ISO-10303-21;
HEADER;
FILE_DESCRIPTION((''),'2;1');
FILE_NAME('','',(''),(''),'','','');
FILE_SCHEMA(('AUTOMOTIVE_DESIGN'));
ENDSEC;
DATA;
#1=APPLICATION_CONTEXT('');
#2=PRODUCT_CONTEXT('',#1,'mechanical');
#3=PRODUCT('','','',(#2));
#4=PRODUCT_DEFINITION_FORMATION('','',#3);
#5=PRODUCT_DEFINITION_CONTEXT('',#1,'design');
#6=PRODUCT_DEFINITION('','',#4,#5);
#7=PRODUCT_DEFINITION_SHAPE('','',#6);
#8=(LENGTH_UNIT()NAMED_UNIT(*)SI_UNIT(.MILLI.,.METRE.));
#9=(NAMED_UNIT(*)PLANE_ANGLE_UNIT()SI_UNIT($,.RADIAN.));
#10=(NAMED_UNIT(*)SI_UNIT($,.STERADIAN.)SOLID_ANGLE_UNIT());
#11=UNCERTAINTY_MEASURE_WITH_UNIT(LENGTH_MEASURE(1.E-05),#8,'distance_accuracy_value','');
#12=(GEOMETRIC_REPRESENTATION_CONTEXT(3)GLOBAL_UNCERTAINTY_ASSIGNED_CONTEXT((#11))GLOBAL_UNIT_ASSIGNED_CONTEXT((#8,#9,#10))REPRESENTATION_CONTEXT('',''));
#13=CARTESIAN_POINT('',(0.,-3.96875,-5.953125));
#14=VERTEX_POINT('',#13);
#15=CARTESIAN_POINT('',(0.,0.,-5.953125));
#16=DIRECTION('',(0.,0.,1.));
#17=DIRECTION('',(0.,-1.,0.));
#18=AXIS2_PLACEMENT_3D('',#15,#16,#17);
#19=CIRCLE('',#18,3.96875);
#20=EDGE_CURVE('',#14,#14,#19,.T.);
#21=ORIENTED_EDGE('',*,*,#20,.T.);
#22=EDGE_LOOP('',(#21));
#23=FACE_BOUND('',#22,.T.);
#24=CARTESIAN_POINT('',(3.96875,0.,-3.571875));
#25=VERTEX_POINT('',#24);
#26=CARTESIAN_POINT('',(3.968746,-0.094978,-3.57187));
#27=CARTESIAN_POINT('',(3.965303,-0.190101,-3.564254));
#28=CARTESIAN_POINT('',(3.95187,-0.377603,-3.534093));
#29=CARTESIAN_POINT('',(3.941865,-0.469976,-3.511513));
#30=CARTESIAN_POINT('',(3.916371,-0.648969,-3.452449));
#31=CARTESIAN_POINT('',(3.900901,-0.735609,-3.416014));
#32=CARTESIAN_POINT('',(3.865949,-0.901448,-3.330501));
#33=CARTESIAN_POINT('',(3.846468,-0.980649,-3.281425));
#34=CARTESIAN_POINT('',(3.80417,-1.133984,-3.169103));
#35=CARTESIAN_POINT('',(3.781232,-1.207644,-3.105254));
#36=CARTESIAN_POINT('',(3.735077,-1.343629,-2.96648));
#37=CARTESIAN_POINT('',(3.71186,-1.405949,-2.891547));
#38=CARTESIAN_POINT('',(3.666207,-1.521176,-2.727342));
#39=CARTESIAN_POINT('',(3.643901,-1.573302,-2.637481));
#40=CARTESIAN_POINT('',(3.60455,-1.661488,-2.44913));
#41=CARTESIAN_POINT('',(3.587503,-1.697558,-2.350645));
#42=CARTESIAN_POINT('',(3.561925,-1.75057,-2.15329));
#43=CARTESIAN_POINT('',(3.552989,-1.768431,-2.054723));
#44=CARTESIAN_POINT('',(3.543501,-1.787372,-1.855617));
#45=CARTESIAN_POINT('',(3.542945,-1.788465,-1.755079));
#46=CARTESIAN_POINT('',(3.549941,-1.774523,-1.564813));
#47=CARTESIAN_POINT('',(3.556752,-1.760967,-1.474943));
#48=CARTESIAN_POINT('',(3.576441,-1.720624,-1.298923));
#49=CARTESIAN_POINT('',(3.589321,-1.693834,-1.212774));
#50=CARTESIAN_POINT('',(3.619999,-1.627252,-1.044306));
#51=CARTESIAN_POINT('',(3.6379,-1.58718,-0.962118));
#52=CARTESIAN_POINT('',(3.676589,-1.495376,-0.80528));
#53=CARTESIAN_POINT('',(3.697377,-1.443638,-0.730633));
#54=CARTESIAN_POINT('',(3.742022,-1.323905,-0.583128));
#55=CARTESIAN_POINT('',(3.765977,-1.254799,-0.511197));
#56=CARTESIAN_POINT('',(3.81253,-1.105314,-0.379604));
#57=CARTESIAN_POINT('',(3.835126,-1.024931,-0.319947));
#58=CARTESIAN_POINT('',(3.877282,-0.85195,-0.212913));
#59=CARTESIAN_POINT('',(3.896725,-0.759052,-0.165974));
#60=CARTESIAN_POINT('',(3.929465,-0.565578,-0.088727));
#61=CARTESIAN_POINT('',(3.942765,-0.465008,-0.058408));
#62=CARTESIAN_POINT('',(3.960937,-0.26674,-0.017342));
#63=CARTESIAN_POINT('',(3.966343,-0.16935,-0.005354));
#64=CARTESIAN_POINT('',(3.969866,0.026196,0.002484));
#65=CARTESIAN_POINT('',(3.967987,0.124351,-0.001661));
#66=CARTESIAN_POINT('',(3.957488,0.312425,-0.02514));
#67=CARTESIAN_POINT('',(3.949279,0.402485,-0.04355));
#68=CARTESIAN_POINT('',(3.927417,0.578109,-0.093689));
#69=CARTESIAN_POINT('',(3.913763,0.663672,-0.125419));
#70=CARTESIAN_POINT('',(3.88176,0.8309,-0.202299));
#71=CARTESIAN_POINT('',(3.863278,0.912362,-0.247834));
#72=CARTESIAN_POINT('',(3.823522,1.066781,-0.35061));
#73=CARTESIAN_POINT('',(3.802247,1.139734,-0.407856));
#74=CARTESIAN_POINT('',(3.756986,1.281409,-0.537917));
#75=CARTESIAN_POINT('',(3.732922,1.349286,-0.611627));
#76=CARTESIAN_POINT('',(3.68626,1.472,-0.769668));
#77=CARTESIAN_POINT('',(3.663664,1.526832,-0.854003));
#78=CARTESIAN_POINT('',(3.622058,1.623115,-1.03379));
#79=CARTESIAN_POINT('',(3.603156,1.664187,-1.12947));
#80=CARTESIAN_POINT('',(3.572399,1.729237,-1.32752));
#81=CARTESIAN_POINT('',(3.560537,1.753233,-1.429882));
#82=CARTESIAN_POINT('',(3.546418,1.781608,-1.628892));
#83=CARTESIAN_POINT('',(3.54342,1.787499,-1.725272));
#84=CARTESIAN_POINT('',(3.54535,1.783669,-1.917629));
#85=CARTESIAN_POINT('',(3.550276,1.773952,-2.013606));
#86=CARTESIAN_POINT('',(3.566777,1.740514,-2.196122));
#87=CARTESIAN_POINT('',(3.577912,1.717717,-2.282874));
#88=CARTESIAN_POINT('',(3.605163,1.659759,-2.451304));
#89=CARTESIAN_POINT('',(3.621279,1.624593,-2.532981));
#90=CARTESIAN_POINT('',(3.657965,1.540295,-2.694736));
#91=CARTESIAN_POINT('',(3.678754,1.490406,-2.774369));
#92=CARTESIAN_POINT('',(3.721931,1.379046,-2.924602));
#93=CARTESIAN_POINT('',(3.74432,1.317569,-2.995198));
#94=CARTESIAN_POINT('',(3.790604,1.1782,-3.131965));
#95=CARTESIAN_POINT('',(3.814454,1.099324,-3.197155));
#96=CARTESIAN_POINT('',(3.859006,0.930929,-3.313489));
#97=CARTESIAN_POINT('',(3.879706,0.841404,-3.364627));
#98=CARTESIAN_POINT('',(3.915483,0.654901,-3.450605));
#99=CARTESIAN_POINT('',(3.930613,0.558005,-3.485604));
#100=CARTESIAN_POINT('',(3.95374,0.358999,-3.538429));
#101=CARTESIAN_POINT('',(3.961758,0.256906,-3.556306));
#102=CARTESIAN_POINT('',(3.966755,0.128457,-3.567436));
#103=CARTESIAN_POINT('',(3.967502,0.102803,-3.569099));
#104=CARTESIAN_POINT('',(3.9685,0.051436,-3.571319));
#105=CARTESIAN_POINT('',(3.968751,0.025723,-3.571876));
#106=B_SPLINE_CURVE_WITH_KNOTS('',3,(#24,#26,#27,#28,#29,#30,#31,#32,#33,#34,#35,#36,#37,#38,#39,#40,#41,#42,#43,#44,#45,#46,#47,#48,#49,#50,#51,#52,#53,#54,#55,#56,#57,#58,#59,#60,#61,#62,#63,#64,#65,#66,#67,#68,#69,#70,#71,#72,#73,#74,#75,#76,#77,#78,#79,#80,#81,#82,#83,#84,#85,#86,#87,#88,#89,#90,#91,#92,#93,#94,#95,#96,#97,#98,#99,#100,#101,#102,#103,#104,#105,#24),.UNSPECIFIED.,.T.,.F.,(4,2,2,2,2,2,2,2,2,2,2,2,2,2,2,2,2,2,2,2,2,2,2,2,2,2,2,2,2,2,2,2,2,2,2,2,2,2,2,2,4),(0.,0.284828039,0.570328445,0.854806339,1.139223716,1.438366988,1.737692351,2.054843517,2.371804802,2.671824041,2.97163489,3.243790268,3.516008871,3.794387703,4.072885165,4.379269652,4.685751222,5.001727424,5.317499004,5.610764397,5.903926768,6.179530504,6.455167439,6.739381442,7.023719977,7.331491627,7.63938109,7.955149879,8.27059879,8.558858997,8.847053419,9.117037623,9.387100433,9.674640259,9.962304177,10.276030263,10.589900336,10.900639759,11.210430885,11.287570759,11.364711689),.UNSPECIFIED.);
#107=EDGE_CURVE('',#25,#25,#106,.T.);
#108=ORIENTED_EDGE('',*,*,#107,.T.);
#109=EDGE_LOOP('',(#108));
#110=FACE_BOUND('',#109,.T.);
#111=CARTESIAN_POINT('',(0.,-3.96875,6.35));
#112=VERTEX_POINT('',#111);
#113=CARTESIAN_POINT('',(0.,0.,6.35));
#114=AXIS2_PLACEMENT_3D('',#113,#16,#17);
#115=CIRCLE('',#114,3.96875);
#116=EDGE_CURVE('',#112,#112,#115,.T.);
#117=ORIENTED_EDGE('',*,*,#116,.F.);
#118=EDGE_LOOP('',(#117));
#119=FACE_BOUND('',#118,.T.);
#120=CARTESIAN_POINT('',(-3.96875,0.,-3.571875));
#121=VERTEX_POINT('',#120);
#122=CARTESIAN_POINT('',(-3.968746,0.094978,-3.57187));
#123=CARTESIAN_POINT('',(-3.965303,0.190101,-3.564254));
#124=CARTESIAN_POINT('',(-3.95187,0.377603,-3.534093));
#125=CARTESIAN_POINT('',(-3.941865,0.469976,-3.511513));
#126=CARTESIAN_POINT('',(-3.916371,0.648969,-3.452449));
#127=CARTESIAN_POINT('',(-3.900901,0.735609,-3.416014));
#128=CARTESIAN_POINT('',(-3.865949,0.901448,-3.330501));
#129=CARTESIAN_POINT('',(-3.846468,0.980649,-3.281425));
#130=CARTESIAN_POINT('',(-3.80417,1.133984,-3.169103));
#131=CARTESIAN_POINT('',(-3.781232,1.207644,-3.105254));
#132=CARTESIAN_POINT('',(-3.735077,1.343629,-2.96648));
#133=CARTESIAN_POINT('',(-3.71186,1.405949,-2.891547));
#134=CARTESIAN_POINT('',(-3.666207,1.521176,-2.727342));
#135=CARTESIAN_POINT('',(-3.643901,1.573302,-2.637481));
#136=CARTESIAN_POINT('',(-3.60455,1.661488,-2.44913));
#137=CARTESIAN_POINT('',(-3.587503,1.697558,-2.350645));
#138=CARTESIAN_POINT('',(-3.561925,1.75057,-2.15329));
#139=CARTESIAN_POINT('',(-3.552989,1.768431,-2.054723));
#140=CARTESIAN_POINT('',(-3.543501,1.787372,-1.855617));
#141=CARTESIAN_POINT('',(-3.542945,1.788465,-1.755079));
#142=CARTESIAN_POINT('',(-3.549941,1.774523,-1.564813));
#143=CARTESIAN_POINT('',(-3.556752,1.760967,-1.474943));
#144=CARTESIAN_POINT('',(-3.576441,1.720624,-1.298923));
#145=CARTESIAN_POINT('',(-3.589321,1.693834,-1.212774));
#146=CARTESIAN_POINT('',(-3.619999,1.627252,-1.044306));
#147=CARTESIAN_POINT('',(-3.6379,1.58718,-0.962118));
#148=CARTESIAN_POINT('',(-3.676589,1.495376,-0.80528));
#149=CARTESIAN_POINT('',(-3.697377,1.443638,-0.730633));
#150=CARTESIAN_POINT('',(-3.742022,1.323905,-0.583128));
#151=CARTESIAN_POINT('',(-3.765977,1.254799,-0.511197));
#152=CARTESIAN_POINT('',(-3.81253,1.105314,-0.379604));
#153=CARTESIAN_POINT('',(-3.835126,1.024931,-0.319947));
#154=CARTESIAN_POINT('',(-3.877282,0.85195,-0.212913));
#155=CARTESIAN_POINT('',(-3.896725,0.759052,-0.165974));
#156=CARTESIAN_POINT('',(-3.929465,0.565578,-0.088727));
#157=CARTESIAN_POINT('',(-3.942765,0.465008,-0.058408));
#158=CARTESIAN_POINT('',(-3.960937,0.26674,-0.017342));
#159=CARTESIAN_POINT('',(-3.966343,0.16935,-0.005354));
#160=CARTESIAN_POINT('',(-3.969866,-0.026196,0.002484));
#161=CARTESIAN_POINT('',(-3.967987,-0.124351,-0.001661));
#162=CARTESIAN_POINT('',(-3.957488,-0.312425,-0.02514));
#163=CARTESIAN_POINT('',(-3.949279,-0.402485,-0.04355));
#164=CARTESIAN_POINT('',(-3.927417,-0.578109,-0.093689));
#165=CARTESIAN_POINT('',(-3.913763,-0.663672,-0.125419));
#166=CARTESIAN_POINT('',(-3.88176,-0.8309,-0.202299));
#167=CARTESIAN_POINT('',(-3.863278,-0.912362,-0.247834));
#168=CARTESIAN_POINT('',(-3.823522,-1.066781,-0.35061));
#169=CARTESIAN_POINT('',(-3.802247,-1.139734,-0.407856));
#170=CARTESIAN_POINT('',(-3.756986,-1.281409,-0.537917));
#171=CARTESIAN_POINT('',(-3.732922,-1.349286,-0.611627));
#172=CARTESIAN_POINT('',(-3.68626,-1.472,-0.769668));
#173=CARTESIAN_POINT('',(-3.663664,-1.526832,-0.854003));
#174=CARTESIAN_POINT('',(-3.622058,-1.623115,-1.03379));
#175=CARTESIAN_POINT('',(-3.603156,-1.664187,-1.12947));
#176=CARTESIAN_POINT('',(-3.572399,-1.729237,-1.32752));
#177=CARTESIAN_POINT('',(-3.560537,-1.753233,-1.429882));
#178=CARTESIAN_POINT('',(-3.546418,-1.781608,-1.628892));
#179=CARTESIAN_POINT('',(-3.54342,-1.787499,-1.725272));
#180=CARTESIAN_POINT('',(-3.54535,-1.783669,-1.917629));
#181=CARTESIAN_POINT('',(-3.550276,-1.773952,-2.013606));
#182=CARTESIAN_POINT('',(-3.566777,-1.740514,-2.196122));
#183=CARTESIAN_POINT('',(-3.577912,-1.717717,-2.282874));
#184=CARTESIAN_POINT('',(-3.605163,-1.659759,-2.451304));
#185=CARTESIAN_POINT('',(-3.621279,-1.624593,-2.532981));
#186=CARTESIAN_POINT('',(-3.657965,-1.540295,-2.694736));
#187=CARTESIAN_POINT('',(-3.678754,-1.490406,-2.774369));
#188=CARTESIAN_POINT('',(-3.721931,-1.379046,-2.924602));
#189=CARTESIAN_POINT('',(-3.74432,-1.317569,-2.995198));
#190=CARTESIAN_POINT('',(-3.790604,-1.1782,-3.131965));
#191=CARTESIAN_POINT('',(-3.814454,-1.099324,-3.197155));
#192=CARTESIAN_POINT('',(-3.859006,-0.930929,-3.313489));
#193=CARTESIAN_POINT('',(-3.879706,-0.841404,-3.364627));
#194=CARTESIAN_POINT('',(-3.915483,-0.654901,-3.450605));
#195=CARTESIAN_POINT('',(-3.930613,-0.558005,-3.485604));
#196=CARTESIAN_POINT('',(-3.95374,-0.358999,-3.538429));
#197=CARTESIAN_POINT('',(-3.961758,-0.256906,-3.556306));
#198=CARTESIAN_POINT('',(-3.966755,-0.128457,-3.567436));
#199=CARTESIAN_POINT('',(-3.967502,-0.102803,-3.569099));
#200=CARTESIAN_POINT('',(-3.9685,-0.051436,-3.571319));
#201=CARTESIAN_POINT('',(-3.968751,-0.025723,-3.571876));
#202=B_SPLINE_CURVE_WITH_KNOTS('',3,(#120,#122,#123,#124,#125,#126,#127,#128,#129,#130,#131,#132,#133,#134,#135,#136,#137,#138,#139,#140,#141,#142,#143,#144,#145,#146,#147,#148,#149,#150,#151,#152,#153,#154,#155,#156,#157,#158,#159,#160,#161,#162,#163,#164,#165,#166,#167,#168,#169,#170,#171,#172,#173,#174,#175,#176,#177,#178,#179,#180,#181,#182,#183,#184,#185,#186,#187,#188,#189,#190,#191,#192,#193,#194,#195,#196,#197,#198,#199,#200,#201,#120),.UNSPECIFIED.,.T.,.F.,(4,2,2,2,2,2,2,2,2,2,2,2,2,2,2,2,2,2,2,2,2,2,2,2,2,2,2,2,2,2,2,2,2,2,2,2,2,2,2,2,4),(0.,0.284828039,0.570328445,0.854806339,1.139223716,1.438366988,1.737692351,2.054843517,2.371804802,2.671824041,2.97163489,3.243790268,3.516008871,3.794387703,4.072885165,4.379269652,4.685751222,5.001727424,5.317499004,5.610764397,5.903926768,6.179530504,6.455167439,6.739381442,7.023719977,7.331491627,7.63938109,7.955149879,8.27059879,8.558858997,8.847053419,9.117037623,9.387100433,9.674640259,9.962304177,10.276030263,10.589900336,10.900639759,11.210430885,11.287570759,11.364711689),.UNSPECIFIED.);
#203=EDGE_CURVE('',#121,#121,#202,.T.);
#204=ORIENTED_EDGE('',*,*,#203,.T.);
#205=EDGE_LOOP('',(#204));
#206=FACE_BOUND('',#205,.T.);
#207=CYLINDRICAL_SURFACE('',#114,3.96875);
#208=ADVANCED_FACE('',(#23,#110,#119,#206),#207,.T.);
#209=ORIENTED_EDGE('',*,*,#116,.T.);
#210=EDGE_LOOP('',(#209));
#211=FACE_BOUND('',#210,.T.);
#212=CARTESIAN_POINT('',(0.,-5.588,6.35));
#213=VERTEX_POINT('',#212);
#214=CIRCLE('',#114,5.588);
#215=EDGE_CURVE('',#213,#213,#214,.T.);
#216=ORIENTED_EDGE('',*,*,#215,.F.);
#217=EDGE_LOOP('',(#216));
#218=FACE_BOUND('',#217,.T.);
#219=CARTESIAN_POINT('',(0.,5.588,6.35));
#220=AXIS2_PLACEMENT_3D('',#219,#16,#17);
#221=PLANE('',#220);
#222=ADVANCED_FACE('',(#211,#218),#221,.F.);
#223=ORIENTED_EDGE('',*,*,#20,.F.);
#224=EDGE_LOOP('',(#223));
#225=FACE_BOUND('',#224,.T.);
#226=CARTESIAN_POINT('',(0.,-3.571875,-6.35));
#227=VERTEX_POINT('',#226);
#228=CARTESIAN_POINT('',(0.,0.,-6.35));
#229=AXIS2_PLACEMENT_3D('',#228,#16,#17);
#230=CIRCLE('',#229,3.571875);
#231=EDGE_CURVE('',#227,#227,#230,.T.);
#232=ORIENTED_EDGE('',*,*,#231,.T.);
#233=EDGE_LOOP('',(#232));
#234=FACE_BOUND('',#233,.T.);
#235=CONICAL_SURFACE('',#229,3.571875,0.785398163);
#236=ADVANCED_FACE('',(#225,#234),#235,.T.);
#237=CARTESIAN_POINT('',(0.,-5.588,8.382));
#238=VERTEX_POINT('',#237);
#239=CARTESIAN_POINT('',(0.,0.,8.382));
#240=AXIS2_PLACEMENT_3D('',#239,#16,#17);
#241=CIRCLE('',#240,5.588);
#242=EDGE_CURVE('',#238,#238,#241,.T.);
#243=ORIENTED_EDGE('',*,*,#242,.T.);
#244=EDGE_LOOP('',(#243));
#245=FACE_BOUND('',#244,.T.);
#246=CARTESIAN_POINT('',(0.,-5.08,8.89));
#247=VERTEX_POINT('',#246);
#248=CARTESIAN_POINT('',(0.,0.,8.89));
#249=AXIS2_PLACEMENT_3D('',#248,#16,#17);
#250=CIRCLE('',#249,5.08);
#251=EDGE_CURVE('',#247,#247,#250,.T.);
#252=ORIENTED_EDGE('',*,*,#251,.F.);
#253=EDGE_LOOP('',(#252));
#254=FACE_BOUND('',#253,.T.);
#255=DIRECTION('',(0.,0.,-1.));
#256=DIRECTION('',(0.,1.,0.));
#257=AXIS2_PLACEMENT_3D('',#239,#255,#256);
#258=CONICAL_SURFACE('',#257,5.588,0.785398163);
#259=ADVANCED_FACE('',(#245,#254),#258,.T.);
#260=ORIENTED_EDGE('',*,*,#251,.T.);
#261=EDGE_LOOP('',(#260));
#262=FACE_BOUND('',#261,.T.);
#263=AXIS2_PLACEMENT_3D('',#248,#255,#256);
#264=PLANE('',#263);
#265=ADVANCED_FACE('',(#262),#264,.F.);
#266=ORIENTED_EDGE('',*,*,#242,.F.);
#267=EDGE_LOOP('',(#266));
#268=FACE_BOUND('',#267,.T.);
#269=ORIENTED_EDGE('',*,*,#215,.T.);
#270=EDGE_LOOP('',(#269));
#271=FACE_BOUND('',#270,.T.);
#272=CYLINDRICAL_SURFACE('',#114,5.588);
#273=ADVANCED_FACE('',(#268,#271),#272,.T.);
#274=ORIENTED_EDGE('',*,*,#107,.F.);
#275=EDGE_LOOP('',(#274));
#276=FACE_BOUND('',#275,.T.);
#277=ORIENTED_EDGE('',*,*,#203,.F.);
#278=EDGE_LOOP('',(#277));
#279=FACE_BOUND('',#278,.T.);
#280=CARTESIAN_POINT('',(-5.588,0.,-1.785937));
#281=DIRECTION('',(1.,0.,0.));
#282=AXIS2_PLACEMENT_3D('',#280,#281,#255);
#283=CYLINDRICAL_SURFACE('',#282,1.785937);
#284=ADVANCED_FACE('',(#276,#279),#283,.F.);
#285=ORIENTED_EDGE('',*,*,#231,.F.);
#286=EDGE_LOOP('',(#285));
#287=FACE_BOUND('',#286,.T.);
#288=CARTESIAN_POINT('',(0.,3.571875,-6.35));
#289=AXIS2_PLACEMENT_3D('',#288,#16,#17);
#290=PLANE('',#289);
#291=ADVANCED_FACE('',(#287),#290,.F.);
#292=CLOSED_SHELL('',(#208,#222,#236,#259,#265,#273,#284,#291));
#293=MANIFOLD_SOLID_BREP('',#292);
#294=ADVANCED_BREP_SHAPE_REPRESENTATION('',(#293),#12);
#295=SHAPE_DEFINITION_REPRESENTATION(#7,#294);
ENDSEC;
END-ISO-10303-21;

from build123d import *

# Parameters (mm, degrees)
SKETCH11_R              = 1.7859375
CUT_EXTRUDE1_DEPTH      = 6.588
CUT_EXTRUDE1_DEPTH_BACK = 6.588


with BuildPart() as part:
    # Sketch10 → Revolve1 (revolve)
    with BuildSketch(Plane(origin=(0, 0, 0), x_dir=(0, 0, -1), z_dir=(1, 0, 0))):
        Polygon((6.35, 3.571875), (6.35, 0), (-8.89, 0), (-8.89, 5.08), (-8.382, 5.588), (-6.35, 5.588), (-6.35, 3.96875), (5.953125, 3.96875), align=None)
    revolve(axis=Axis((0, 0, 6.35), (0, 0, -1)))

    # Sketch11 → Cut-Extrude1 (cut, two sides)
    with BuildSketch(Plane(origin=(0, 0, 0), x_dir=(0, 0, -1), z_dir=(1, 0, 0))) as cut_extrude1_sk:
        with Locations((1.7859375, 0)):
            Circle(SKETCH11_R)
    extrude(amount=CUT_EXTRUDE1_DEPTH, mode=Mode.SUBTRACT)
    extrude(cut_extrude1_sk.sketch, amount=-CUT_EXTRUDE1_DEPTH_BACK, mode=Mode.SUBTRACT)


solid = part.part
